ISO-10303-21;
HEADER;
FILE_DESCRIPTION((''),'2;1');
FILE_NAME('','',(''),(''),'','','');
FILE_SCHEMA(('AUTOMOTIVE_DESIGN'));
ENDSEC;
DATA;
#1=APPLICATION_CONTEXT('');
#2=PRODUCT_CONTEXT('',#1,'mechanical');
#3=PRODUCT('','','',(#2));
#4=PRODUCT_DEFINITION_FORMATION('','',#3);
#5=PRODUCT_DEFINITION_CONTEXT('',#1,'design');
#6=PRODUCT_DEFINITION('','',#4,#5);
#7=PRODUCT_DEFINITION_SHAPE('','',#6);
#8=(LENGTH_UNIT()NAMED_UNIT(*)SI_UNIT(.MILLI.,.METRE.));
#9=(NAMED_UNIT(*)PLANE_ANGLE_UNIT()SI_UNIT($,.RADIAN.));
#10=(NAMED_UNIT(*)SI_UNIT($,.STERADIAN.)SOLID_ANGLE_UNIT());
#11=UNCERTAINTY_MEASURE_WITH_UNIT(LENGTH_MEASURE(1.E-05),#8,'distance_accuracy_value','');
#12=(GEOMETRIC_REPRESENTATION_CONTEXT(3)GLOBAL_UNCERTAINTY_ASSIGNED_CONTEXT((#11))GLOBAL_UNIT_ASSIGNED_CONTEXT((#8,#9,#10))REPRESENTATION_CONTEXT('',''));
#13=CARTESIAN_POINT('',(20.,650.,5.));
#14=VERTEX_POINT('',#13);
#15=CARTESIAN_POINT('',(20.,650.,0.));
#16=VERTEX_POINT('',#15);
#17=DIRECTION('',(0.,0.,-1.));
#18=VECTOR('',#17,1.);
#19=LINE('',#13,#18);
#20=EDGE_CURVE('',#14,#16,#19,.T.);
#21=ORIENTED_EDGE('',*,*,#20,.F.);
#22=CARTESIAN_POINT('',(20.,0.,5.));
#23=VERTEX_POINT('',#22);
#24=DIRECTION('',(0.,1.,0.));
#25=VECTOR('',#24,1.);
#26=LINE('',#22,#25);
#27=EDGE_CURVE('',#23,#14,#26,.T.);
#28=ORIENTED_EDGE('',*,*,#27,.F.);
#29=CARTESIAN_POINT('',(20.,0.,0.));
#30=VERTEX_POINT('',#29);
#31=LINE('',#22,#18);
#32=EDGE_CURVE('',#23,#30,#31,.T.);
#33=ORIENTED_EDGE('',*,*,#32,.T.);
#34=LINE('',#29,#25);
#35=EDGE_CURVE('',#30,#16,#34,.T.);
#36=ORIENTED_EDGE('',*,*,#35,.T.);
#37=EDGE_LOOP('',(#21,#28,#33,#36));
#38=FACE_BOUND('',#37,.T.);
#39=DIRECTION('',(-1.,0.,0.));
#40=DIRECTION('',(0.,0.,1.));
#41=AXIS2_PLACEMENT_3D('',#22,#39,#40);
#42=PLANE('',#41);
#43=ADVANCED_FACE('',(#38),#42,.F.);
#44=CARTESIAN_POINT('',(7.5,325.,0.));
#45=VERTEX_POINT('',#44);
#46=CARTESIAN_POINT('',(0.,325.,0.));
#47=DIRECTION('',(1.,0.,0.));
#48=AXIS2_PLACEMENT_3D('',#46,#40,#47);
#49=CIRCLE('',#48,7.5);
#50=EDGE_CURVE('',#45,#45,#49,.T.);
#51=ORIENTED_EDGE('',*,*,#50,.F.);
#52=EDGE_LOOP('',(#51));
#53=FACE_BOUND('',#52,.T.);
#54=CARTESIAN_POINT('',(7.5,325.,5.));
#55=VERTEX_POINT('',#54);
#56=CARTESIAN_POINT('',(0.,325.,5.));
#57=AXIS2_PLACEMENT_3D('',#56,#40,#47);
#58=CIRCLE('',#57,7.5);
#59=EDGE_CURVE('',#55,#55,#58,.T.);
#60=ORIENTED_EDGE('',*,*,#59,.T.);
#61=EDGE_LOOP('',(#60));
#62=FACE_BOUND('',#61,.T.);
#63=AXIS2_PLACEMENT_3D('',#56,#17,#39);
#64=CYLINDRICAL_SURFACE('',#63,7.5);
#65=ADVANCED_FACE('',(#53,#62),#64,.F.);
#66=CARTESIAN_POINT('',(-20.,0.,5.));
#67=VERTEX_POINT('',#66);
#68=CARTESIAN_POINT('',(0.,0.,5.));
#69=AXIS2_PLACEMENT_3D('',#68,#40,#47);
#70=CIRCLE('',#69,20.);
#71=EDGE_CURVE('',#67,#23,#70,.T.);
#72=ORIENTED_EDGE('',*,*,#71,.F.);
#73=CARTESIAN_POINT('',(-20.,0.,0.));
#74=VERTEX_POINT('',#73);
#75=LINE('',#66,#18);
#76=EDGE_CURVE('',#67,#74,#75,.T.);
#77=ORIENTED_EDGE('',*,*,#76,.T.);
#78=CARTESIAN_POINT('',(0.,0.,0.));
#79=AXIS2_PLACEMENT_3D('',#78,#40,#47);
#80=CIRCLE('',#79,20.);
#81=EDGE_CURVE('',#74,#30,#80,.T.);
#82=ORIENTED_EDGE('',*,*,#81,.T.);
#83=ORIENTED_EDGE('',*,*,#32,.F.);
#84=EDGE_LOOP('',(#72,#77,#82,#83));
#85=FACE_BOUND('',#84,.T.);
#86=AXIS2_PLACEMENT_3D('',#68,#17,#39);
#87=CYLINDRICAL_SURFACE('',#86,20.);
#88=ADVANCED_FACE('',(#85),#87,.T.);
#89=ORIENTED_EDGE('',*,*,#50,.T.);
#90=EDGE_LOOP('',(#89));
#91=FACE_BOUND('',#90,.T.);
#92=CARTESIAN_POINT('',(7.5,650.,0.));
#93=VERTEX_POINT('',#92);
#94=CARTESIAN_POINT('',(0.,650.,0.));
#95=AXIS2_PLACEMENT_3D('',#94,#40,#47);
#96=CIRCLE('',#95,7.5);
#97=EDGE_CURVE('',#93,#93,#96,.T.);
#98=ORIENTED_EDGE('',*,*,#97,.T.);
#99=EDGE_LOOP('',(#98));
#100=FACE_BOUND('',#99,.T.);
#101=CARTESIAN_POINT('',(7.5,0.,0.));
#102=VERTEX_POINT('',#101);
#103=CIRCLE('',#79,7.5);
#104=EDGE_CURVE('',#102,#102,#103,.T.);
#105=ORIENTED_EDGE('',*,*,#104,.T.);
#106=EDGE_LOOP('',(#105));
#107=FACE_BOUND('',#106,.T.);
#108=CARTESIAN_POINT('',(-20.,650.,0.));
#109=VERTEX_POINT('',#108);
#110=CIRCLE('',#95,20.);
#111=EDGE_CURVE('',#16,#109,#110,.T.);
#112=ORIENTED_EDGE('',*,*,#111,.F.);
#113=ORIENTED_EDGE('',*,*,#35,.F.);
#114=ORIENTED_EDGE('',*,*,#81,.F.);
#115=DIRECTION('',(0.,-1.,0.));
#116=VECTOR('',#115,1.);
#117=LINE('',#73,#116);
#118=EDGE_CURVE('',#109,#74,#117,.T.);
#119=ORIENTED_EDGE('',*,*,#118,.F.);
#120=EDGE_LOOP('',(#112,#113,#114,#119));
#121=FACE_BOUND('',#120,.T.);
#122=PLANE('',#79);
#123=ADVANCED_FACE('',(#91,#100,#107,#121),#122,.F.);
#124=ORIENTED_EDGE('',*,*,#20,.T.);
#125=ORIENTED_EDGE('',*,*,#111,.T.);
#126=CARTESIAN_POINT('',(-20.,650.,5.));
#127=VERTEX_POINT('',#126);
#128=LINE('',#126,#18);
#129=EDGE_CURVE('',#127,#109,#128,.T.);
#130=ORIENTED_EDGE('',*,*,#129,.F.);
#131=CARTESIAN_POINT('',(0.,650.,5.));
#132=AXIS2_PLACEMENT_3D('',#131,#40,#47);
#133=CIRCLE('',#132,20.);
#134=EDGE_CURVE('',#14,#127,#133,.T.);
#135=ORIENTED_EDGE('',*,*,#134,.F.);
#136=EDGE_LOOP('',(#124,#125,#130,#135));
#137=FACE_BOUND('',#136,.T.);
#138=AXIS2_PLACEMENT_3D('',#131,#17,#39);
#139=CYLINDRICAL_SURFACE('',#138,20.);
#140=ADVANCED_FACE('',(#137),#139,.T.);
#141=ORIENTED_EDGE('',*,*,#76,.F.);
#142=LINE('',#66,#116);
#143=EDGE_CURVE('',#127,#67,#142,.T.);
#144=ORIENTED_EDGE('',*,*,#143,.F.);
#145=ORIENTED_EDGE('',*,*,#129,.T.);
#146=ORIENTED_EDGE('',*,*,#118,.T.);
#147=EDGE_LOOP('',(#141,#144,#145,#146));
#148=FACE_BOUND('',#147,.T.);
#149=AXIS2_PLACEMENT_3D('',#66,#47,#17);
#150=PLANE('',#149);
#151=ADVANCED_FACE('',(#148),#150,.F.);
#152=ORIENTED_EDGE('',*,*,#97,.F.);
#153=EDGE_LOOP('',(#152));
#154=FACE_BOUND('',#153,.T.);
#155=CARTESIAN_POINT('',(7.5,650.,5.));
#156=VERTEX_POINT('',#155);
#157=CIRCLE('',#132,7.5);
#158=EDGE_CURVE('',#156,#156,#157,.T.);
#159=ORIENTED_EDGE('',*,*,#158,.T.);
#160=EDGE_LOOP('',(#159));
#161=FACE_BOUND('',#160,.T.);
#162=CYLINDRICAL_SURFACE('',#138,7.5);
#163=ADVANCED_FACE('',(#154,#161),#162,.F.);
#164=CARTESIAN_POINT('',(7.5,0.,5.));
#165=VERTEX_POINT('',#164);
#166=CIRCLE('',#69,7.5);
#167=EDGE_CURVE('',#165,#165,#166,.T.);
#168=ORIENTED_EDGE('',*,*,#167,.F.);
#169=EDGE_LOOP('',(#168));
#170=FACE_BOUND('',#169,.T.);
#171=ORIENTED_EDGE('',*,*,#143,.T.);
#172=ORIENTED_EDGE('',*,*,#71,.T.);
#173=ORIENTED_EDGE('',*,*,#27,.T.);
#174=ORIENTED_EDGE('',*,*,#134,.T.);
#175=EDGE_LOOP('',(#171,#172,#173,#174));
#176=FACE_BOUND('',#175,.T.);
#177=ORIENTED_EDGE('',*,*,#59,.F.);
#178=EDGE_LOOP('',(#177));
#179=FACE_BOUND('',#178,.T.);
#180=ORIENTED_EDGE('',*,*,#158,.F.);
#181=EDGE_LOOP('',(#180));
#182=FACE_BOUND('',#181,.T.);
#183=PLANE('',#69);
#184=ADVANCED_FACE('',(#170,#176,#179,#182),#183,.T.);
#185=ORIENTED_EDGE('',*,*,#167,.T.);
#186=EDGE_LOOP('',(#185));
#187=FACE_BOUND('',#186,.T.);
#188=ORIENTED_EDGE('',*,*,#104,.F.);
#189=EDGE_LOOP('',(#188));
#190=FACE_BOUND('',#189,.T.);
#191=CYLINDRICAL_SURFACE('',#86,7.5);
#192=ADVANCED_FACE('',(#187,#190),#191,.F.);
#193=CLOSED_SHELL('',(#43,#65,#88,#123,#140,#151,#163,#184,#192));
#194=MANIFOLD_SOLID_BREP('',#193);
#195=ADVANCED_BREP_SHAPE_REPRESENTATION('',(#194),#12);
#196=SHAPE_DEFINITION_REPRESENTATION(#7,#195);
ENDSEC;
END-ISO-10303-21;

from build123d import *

# Parameters (mm, degrees)
SKETCH1_R           = 7.5
BOSS_EXTRUDE1_DEPTH = 5


with BuildPart() as part:
    # Sketch1 → Boss-Extrude1 (new body)
    with BuildSketch(Plane.XY):
        with BuildLine():
            Line((-20, 0), (-20, 650))
            ThreePointArc((-20, 650), (0, 670), (20, 650))
            Line((20, 650), (20, 0))
            ThreePointArc((20, 0), (0, -20), (-20, 0))
        make_face()
        with Locations((0, 650)):
            Circle(SKETCH1_R, mode=Mode.SUBTRACT)
        Circle(SKETCH1_R, mode=Mode.SUBTRACT)
        with Locations((0, 325)):
            Circle(SKETCH1_R, mode=Mode.SUBTRACT)
    extrude(amount=BOSS_EXTRUDE1_DEPTH)


solid = part.part
